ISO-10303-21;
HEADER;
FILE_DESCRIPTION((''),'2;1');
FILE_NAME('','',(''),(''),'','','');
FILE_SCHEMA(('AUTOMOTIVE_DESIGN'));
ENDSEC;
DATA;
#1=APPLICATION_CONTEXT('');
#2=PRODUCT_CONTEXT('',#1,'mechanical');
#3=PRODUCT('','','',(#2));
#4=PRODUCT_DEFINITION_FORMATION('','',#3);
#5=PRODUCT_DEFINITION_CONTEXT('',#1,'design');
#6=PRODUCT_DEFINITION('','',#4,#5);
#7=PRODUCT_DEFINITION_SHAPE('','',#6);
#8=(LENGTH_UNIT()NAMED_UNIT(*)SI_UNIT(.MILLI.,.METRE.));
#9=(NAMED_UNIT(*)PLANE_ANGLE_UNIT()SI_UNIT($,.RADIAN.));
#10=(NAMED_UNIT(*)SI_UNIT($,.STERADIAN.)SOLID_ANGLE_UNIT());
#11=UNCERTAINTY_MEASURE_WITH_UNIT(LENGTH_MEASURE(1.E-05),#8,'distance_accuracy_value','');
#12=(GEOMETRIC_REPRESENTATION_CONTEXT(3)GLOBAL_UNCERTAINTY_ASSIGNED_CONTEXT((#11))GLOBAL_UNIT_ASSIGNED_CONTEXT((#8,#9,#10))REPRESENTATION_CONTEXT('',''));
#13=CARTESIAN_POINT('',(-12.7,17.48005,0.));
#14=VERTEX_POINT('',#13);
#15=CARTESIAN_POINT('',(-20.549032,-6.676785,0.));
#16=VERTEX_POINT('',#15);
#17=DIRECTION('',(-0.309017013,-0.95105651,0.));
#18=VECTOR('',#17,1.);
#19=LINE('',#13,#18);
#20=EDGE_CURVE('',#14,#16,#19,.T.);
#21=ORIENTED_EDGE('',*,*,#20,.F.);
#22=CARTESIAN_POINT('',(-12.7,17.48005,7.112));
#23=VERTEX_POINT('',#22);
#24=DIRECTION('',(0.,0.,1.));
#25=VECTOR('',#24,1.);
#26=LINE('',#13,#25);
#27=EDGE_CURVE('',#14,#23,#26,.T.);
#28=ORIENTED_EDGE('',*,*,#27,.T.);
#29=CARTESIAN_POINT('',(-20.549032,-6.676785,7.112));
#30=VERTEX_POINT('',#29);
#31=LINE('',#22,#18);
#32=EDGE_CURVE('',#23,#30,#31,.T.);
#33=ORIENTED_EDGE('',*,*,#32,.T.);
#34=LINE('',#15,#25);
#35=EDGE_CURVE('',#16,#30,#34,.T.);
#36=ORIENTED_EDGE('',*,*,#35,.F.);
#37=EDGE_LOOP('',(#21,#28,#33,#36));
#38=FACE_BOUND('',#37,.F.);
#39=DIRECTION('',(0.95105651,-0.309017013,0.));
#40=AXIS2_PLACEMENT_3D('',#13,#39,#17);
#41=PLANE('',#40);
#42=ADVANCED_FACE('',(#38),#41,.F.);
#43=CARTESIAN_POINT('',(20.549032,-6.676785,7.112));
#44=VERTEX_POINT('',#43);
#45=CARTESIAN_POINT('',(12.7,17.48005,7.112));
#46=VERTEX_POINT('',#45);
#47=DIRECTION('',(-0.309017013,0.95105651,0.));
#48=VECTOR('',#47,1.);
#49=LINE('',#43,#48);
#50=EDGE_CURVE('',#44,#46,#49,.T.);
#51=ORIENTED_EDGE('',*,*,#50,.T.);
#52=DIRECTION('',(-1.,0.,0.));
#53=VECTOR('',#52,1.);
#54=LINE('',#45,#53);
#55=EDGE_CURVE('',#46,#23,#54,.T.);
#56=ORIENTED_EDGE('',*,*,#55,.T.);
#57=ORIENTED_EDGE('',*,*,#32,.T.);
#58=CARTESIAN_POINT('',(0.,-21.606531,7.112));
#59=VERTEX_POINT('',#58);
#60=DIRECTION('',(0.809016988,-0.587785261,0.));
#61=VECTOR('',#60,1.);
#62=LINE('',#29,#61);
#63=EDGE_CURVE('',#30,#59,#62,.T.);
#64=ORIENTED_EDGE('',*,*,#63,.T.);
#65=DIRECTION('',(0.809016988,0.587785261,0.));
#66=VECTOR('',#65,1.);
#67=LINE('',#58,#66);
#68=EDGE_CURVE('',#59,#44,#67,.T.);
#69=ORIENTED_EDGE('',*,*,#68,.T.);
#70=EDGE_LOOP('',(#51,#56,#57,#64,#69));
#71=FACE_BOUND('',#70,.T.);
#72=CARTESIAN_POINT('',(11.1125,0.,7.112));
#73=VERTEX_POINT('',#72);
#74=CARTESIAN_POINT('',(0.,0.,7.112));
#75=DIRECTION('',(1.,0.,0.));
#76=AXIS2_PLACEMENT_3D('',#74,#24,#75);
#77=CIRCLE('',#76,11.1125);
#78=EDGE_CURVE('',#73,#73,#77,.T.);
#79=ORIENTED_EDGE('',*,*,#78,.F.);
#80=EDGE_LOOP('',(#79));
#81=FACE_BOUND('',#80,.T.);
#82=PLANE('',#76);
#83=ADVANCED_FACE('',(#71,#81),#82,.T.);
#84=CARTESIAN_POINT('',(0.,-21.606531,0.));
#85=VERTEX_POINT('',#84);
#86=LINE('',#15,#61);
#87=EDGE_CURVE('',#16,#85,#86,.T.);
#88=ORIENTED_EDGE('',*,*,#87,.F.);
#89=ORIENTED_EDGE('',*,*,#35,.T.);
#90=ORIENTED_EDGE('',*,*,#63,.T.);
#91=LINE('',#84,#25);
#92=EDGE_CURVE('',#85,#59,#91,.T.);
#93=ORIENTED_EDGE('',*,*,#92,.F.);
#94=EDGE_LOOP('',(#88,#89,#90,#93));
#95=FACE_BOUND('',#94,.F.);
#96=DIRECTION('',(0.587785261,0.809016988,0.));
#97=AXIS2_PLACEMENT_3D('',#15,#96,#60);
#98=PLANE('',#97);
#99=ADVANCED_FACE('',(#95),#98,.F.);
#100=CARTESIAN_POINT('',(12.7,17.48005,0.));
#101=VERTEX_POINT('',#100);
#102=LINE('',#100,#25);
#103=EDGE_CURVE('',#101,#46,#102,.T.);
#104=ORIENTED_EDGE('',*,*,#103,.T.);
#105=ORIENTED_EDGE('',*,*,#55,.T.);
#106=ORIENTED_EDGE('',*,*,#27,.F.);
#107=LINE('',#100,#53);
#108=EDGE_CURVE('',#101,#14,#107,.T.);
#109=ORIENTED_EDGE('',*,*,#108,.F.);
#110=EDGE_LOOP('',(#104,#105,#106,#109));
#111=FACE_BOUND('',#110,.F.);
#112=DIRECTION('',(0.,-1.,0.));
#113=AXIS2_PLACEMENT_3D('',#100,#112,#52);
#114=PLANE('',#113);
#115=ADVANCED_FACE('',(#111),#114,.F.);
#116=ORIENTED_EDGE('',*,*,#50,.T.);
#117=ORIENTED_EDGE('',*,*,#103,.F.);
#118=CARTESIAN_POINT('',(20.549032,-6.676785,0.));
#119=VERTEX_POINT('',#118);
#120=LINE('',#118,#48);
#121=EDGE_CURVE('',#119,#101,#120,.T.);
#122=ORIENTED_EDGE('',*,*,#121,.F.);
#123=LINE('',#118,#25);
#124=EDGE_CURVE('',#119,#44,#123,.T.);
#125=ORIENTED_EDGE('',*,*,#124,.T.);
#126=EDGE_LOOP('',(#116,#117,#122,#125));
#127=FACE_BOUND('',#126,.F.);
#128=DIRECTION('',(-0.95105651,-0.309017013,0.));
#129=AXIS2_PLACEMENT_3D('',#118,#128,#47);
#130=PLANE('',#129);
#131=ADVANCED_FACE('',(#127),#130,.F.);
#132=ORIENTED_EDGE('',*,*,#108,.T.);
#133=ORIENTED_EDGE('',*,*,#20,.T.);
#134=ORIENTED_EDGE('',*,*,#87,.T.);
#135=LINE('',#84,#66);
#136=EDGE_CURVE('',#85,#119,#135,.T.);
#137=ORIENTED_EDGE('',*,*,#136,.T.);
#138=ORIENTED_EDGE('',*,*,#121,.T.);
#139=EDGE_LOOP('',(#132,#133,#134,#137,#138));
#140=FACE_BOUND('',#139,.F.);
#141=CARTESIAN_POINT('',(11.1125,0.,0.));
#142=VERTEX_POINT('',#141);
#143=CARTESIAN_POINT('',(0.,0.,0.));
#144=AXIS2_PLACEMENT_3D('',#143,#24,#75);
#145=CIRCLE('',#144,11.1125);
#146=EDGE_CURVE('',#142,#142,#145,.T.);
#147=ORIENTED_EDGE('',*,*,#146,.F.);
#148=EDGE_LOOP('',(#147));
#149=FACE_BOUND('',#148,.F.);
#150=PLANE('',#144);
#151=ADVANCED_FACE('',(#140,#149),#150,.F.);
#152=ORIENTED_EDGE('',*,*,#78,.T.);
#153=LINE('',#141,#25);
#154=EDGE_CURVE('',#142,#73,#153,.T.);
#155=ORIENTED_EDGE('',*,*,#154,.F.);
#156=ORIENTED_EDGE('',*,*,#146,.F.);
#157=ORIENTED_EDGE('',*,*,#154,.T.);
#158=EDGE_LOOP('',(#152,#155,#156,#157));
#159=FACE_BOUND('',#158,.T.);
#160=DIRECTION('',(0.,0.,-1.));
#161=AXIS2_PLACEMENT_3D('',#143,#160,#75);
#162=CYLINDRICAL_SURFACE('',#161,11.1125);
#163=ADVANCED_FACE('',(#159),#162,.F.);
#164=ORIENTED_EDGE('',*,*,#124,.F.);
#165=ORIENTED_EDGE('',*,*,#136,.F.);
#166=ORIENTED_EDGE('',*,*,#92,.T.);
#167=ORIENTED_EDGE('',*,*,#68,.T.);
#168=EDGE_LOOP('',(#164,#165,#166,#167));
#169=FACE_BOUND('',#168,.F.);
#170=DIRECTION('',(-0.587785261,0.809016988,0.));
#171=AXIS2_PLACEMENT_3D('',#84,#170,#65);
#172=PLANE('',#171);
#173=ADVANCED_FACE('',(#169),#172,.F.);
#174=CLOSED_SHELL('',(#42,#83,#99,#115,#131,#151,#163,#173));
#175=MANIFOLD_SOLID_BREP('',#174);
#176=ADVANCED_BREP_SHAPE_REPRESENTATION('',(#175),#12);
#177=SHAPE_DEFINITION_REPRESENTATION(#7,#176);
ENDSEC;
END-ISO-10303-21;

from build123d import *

# Parameters (mm, degrees)
F0_R     = 11.1125
F1_DEPTH = 7.112


with BuildPart() as f1:
    # F0 (on Top) → F1 (new body)
    with BuildSketch(Plane.XY):
        Polygon((12.7, 17.48005), (-12.7, 17.48005), (-20.549032, -6.676785), (0, -21.606531), (20.549032, -6.676785), align=None)
        Circle(F0_R, mode=Mode.SUBTRACT)
    extrude(amount=F1_DEPTH)


solid = f1.part
